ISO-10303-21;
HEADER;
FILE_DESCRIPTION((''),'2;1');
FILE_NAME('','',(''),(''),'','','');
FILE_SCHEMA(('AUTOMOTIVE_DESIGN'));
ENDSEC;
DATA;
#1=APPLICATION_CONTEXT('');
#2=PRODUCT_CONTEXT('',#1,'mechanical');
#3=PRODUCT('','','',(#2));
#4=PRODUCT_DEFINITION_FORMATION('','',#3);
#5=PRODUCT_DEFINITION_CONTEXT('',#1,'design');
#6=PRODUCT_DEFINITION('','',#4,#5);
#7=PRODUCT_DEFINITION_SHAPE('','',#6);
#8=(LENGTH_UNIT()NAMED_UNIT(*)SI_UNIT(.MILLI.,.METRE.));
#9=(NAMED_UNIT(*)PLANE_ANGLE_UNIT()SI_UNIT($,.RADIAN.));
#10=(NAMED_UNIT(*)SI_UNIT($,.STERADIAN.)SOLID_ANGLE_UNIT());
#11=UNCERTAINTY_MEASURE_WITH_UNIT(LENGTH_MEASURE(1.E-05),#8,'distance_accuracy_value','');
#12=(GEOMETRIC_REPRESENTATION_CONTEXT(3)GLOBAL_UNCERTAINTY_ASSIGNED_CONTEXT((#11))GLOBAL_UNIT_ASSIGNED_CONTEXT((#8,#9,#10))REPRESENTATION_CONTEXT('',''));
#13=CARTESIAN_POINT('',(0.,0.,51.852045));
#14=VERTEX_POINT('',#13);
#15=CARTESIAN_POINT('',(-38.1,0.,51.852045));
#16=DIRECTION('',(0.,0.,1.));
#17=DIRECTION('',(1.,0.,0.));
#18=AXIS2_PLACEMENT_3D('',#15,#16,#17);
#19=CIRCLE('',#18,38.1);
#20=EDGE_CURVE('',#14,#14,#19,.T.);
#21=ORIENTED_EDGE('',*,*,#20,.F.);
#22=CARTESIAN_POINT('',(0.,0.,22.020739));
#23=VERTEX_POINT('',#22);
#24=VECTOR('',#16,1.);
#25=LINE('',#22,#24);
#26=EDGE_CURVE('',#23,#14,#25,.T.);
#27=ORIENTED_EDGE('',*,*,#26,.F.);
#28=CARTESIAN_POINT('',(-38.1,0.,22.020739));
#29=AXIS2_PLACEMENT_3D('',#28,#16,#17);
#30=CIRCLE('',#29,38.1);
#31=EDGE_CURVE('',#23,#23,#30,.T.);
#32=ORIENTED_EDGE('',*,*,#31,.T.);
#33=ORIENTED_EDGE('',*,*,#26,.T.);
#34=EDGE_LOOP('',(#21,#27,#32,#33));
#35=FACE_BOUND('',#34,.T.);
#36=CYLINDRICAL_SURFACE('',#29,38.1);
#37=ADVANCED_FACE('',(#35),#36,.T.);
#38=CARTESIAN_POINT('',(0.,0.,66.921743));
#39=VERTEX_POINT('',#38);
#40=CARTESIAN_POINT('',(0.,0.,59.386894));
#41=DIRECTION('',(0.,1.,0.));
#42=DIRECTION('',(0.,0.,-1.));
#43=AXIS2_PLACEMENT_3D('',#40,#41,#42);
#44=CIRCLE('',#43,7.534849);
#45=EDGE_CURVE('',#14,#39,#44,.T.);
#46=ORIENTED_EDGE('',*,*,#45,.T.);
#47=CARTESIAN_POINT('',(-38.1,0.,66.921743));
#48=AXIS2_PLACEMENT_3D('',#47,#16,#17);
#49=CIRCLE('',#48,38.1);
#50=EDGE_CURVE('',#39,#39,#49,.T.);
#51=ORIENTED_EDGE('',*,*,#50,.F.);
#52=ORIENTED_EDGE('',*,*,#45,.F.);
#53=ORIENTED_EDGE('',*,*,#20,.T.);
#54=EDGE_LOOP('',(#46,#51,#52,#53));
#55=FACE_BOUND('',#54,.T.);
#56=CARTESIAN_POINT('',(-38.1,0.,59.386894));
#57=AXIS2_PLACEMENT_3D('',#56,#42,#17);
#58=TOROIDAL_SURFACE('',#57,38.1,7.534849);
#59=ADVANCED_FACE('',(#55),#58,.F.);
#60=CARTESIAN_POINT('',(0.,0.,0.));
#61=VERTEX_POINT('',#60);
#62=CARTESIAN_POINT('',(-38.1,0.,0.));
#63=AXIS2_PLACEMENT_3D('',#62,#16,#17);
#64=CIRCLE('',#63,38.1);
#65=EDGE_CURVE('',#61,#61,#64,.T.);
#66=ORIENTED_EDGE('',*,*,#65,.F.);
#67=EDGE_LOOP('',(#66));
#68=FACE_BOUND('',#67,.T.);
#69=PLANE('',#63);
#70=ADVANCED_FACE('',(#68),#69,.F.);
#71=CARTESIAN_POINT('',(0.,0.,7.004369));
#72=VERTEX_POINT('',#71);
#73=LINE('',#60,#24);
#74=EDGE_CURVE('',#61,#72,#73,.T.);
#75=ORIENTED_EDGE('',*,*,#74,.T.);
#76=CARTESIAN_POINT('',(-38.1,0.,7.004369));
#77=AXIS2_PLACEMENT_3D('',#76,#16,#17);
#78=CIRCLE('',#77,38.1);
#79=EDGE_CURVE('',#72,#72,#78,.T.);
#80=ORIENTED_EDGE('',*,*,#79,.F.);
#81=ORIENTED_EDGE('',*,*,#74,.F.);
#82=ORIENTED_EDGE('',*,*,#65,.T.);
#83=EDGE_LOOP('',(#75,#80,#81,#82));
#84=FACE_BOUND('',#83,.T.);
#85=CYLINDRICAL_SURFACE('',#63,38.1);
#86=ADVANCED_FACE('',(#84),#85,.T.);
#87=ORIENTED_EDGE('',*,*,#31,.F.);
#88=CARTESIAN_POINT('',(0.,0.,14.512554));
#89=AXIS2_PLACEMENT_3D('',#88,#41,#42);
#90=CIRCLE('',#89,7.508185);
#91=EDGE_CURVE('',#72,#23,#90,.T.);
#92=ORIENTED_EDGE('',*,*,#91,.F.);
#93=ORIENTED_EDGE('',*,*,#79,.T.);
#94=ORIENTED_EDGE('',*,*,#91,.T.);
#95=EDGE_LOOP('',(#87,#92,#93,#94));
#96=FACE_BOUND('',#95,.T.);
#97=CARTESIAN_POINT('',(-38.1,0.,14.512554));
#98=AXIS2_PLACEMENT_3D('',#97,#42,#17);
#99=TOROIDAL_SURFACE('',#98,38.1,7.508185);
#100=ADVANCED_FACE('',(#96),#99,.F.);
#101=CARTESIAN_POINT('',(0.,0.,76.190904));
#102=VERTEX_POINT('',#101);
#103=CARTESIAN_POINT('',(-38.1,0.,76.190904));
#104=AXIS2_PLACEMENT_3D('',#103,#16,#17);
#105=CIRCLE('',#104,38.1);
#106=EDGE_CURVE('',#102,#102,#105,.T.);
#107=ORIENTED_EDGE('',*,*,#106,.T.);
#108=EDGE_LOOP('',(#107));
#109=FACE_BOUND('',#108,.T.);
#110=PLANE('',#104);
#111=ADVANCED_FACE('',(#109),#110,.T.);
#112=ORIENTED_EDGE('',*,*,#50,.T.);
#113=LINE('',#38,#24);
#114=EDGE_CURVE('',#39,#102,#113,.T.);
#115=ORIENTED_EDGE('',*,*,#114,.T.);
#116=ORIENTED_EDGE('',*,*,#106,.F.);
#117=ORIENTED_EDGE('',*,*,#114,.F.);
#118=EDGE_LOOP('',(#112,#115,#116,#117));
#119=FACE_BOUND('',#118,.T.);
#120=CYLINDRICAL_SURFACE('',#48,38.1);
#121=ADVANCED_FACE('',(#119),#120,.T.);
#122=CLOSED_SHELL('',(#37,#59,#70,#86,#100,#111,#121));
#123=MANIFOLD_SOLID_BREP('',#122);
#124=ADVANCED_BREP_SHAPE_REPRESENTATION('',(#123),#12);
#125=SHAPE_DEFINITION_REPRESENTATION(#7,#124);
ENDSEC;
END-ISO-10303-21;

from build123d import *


with BuildPart() as f1:
    # F0 (on Front) → F1 (revolve)
    with BuildSketch(Plane.XZ):
        with BuildLine():
            Line((-38.1, 0), (0, 0))
            Line((0, 0), (0, 7.004369))
            ThreePointArc((0, 7.004369), (-7.508185, 14.512554), (0, 22.020739))
            Line((0, 22.020739), (0, 51.852045))
            ThreePointArc((0, 51.852045), (-7.534849, 59.386894), (0, 66.921743))
            Line((0, 66.921743), (0, 76.190904))
            Line((0, 76.190904), (-38.1, 76.190904))
            Line((-38.1, 76.190904), (-38.1, 0))
        make_face()
    revolve(axis=Axis((-38.1, 0, 38.095452), (0, 0, 1)))


solid = f1.part
